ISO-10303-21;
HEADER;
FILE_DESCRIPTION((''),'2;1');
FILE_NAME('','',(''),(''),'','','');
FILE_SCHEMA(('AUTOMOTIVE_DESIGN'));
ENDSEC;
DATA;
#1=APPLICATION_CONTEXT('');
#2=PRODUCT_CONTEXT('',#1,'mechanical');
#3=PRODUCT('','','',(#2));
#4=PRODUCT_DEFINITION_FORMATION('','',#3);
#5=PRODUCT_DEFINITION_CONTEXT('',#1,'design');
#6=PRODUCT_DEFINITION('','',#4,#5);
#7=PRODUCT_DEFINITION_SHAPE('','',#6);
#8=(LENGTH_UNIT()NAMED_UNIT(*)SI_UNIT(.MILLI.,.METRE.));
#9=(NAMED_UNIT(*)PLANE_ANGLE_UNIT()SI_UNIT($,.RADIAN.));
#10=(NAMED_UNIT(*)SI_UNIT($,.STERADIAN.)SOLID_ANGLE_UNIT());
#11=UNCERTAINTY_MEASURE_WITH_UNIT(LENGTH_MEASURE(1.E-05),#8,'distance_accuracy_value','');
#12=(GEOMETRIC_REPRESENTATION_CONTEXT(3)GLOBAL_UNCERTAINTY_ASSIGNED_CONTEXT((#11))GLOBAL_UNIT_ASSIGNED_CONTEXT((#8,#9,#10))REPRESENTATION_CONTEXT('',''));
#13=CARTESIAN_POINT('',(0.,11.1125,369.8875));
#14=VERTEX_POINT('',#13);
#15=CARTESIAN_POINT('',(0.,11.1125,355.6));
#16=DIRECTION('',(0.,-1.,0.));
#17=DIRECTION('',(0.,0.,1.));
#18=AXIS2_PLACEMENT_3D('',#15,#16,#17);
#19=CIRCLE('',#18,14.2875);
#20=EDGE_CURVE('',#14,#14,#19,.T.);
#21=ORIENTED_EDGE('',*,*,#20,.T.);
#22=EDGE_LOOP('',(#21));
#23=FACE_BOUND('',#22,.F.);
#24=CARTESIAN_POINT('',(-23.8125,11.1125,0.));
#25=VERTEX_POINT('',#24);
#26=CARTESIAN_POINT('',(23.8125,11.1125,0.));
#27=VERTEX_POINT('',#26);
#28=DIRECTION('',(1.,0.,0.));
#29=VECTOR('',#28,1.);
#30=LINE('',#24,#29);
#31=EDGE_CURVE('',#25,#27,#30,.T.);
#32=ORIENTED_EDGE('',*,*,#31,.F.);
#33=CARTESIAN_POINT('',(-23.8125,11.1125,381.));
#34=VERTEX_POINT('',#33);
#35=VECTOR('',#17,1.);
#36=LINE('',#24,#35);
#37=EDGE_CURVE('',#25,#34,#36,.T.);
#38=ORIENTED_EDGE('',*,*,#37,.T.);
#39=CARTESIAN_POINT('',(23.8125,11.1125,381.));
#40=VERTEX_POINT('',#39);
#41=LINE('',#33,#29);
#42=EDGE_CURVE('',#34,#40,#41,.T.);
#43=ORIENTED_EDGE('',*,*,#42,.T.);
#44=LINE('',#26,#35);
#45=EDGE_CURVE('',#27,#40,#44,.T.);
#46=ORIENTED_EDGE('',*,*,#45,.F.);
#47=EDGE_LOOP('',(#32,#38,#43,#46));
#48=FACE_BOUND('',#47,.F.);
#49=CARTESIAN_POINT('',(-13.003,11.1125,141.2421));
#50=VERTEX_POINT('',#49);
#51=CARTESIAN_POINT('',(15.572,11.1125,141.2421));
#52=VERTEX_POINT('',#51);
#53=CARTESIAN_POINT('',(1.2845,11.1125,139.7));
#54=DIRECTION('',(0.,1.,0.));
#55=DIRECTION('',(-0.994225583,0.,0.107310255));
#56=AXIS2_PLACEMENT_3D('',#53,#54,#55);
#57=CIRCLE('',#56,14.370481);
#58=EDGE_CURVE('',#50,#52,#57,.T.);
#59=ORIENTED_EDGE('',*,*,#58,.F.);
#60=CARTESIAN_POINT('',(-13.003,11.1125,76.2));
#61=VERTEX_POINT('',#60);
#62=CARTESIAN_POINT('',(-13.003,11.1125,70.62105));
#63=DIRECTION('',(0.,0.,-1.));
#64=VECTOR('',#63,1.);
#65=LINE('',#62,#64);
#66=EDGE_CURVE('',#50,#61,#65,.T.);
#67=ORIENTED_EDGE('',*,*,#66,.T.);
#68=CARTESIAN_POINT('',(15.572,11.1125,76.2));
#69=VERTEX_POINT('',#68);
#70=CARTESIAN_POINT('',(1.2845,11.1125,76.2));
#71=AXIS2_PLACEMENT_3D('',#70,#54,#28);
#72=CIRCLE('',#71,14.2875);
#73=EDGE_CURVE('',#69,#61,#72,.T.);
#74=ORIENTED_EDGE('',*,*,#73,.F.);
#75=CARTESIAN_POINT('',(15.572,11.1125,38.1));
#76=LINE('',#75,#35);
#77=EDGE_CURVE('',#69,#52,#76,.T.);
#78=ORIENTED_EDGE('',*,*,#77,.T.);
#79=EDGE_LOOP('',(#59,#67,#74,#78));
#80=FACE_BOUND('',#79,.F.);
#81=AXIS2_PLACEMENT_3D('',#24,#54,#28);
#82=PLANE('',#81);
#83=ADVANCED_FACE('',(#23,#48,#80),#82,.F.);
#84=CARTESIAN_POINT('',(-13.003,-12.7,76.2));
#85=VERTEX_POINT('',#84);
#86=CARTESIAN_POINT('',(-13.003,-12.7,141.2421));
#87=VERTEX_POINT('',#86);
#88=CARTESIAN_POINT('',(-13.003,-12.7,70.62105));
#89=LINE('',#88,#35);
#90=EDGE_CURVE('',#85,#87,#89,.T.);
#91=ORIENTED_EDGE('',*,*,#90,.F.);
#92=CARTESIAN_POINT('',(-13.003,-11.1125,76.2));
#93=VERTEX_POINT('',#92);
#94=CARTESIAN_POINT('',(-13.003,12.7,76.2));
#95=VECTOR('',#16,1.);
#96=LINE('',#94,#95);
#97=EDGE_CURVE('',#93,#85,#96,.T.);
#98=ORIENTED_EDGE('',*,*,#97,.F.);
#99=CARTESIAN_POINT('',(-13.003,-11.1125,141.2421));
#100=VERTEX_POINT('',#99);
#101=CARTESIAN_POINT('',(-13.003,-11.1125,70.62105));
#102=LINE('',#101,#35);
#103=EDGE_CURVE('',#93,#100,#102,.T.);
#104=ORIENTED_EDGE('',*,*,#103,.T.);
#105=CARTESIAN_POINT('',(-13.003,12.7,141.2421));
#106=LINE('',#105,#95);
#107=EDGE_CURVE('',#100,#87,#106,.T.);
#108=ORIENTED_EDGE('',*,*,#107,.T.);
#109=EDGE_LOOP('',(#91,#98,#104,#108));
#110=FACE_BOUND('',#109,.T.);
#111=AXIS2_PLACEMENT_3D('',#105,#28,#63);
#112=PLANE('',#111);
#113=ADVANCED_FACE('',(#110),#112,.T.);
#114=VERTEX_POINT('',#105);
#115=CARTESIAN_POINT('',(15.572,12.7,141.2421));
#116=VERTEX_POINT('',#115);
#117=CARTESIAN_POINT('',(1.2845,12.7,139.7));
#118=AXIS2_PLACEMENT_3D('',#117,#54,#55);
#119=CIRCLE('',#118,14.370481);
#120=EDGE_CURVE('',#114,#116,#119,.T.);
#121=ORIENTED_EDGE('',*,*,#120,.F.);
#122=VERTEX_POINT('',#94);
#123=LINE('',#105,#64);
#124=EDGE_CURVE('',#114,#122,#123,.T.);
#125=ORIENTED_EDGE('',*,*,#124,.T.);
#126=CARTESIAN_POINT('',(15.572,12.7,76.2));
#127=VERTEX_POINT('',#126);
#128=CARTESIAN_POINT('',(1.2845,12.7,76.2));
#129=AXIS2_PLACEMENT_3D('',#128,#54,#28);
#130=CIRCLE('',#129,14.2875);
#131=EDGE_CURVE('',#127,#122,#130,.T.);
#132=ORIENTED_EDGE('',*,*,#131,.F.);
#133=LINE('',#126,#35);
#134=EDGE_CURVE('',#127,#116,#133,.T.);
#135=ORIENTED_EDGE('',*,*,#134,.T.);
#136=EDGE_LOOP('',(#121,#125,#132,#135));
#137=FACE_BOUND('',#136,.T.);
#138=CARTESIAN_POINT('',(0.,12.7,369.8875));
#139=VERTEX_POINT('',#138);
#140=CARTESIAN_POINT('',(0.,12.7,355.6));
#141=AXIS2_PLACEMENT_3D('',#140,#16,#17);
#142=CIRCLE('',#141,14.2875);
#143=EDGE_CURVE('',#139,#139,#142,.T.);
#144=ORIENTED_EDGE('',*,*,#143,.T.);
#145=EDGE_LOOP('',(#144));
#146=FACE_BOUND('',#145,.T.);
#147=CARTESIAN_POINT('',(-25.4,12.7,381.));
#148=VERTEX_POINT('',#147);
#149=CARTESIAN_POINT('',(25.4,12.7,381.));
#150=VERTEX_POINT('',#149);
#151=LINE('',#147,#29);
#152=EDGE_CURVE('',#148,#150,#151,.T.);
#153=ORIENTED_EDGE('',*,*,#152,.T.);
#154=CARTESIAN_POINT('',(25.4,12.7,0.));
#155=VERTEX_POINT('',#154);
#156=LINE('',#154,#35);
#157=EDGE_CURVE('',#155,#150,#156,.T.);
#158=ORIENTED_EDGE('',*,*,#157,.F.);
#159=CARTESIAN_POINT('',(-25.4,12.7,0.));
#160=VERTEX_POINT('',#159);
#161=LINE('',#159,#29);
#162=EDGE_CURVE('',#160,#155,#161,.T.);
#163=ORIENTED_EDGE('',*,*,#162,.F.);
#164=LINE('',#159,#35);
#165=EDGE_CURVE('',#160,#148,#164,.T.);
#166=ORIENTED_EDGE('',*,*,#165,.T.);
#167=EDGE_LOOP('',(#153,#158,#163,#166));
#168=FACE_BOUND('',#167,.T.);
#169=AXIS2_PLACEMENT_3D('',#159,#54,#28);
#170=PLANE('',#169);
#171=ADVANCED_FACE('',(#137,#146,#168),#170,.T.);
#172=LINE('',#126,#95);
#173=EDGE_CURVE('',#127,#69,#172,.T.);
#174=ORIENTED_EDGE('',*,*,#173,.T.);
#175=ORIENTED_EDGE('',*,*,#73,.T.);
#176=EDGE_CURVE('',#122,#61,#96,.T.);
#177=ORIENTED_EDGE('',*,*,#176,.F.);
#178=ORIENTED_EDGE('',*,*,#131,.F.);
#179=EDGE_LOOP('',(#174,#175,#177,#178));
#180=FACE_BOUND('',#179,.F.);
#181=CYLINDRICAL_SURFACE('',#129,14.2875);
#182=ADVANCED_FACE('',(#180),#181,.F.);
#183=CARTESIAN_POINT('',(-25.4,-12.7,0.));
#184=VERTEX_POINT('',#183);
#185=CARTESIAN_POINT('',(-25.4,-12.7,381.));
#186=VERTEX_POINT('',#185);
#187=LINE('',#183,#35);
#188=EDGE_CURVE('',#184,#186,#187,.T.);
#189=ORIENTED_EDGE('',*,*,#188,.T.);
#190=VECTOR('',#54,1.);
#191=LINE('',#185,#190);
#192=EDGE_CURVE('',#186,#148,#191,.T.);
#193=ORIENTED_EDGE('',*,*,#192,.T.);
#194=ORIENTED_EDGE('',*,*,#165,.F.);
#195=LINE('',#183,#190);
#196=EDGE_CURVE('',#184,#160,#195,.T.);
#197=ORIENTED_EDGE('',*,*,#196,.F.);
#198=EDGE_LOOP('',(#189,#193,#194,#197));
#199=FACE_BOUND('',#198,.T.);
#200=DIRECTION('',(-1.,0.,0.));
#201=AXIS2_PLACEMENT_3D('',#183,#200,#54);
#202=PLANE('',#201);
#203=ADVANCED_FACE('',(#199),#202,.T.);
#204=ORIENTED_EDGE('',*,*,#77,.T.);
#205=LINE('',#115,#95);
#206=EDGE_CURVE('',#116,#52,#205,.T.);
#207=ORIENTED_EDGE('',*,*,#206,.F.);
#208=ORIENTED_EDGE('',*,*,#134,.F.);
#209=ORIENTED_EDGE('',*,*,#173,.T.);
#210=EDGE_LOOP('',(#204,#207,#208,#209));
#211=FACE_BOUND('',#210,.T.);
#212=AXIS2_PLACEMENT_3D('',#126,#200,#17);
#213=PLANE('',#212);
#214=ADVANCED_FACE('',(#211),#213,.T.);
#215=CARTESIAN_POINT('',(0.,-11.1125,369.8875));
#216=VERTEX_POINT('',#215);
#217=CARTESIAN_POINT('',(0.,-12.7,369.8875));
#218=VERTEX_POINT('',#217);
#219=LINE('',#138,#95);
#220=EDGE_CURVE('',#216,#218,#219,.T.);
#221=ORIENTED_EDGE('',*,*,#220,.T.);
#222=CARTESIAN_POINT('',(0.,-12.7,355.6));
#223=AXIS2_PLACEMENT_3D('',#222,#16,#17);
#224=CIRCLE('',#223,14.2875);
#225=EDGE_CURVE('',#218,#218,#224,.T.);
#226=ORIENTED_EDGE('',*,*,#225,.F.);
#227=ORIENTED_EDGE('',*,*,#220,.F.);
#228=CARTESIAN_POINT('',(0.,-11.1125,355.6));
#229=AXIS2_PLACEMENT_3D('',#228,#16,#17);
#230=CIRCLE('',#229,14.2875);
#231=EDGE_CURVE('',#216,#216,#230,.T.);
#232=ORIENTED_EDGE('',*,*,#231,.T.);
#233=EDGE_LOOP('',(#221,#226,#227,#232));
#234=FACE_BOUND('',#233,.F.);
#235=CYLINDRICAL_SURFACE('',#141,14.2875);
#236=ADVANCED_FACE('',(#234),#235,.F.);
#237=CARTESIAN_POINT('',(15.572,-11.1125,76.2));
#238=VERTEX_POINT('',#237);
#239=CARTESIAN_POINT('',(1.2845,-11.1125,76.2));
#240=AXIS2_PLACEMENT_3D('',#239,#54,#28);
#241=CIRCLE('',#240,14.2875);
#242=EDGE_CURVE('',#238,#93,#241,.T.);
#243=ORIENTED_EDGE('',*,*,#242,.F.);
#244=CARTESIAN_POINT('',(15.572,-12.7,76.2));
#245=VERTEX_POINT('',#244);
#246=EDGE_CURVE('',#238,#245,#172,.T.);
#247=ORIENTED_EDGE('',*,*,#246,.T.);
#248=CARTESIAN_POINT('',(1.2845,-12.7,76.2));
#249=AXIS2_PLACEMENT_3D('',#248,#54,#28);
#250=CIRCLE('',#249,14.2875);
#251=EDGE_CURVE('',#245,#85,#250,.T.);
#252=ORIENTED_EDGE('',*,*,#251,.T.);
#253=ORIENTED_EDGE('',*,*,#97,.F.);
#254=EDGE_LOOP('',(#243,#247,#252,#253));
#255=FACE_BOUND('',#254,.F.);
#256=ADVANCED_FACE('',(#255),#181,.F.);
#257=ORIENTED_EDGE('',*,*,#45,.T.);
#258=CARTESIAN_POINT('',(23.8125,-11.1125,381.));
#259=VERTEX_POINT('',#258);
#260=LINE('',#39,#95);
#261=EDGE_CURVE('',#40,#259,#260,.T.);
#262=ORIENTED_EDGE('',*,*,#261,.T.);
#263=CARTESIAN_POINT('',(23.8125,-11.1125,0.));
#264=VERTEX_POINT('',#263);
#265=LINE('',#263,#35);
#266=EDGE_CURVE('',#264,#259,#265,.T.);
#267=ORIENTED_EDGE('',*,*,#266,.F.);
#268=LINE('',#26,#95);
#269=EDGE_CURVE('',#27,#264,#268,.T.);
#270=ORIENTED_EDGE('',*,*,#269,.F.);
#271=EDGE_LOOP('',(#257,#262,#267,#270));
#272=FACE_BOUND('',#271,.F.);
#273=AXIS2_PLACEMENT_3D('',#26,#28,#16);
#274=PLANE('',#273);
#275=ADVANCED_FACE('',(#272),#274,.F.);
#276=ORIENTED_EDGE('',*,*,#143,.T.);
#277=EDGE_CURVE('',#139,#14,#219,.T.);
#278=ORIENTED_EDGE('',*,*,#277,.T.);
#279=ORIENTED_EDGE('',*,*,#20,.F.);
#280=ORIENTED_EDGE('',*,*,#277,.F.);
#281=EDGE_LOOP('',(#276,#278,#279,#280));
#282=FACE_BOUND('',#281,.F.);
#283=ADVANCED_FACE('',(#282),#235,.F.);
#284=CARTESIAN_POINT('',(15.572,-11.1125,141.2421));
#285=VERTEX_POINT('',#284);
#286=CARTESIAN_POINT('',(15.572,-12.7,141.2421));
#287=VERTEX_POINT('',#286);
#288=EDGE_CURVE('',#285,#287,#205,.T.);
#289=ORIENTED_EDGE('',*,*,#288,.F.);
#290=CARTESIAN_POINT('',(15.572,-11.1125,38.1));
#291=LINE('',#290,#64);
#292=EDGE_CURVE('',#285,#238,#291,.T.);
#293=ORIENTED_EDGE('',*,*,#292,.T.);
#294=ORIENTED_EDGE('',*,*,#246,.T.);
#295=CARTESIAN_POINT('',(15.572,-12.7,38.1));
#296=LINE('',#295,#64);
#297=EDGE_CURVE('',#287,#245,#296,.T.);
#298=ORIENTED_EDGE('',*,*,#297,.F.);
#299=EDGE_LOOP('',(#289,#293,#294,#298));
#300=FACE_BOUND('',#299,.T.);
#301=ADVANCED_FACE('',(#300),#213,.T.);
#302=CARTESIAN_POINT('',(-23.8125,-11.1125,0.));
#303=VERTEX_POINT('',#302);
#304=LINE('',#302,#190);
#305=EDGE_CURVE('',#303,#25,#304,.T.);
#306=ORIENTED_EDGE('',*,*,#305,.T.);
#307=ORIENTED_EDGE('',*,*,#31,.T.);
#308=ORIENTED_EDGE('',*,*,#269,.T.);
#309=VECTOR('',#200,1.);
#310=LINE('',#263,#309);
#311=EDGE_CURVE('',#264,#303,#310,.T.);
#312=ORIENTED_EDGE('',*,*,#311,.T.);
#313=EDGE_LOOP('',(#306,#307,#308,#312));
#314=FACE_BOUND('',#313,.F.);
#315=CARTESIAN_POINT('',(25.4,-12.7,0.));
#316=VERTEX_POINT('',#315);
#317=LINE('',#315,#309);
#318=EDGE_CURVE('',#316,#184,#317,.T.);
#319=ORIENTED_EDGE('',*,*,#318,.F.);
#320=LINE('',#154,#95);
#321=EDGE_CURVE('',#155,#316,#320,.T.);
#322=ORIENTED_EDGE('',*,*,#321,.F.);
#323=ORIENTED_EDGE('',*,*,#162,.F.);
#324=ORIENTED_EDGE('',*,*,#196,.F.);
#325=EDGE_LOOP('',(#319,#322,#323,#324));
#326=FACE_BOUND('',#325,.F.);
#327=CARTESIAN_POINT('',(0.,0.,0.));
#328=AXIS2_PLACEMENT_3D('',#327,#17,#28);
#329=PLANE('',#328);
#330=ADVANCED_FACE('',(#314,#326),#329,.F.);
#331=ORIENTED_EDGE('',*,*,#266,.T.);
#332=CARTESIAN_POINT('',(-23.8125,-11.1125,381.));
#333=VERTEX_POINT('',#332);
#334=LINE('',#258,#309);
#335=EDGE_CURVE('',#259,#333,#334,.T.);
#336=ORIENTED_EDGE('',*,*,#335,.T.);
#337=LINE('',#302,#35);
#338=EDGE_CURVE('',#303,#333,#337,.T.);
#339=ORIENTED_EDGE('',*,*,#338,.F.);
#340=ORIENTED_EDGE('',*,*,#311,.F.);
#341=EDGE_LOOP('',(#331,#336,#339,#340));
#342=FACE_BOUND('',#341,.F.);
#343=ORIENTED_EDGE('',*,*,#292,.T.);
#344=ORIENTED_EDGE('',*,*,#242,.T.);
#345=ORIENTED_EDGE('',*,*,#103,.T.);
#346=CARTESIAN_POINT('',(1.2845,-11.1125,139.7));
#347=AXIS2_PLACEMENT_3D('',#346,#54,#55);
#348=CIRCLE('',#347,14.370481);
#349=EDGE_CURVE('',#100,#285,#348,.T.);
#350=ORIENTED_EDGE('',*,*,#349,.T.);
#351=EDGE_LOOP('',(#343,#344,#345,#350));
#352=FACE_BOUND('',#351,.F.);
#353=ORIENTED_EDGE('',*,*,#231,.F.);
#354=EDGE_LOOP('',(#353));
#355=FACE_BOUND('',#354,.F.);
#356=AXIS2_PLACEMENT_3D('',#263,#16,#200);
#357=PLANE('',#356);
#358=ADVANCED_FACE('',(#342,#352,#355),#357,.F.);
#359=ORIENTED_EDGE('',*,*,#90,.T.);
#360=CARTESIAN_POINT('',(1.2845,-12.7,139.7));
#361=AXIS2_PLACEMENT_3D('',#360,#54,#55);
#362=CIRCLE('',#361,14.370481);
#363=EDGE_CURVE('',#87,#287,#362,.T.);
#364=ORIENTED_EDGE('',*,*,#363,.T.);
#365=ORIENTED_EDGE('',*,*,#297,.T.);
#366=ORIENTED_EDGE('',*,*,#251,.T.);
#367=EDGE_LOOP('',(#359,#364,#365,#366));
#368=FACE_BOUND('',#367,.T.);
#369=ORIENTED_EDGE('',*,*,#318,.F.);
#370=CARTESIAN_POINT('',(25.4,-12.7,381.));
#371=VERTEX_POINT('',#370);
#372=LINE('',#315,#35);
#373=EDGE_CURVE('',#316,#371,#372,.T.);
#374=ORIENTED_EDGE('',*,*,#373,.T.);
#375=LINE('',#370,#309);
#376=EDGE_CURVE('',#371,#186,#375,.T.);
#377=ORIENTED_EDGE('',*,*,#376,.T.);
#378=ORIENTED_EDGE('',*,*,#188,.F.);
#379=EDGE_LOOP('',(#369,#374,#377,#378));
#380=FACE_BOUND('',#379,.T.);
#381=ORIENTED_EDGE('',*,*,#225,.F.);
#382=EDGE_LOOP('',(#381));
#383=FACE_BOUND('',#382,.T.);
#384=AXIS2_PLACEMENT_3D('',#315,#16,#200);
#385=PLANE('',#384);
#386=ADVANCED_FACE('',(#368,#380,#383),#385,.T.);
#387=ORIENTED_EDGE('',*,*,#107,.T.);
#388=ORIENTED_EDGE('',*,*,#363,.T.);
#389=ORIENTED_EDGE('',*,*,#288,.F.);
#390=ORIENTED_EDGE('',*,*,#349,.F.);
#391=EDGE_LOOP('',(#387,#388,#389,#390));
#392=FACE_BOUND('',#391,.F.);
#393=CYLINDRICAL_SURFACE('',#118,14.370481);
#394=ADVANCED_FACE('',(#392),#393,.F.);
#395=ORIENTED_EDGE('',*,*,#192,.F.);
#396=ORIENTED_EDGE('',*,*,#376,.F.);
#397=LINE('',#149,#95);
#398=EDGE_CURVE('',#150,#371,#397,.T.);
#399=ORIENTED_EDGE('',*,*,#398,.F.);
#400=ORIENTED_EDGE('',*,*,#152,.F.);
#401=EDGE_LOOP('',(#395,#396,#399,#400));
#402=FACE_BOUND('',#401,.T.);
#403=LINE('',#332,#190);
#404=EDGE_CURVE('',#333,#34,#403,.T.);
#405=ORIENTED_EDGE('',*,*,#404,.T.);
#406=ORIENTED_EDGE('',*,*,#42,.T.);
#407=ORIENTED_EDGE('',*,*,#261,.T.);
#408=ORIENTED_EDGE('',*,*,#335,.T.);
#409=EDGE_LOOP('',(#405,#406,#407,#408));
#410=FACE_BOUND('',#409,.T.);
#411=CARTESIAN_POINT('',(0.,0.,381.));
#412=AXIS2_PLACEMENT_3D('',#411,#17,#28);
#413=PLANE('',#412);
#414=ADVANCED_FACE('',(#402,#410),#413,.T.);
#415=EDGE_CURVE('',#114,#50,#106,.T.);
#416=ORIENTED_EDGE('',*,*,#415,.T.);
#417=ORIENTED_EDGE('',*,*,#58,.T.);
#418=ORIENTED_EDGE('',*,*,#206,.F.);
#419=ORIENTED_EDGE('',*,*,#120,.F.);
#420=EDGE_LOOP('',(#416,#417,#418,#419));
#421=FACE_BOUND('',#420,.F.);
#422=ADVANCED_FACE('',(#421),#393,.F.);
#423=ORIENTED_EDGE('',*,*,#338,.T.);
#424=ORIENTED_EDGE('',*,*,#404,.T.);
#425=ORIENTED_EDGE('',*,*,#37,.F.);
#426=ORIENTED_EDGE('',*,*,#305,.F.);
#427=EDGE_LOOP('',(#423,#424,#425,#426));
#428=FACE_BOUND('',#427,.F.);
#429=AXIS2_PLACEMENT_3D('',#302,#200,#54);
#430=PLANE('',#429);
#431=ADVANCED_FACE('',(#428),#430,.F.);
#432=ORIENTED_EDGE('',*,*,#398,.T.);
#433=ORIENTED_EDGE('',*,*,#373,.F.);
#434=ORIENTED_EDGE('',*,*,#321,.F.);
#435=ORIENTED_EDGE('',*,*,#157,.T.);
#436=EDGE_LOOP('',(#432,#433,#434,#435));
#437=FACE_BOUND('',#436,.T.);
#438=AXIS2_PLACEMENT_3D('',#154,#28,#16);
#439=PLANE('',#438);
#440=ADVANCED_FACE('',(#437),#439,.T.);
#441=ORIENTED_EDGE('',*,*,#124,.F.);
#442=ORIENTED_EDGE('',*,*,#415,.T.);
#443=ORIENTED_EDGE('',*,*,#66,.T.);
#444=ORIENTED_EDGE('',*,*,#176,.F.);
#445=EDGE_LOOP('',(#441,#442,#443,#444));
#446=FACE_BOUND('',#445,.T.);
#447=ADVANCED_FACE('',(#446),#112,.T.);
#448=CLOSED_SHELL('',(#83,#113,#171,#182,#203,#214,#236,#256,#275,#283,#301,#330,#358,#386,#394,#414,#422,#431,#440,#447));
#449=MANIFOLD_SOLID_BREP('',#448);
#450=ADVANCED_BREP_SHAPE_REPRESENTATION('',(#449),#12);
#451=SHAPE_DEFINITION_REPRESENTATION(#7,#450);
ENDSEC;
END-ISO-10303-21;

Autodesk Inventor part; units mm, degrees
ref_plane "YZ Plane" through (0, 0, 0) normal (1, 0, 0) x (0, 1, 0)
ref_plane "XZ Plane" through (0, 0, 0) normal (0, 1, 0) x (-1, 0, 0)
ref_plane "XY Plane" through (0, 0, 0) normal (0, 0, 1) x (1, 0, 0)
sketch "Sketch1" plane through (0, 0, 0) normal (0, 0, 1) x (1, 0, 0)
  line L0 (-25.4, 12.7) -> (25.4, 12.7)
  line L1 (25.4, 12.7) -> (25.4, -12.7)
  line L2 (25.4, -12.7) -> (-25.4, -12.7)
  line L3 (-25.4, -12.7) -> (-25.4, 12.7)
  line L4 (-25.4, 12.7) -> (25.4, -12.7) construction
  line L5 (25.4, 12.7) -> (-25.4, -12.7) construction
  line L6 (-23.8125, 11.1125) -> (23.8125, 11.1125)
  line L7 (23.8125, 11.1125) -> (23.8125, -11.1125)
  line L8 (23.8125, -11.1125) -> (-23.8125, -11.1125)
  line L9 (-23.8125, -11.1125) -> (-23.8125, 11.1125)
  line L10 (-23.8125, 11.1125) -> (23.8125, -11.1125) construction
  line L11 (23.8125, 11.1125) -> (-23.8125, -11.1125) construction
  point P0 (0, 0)
  dimension "d0" = 50.8
  dimension "d1" = 25.4
  dimension "d2" = 47.625
  dimension "d3" = 22.225
extrude "Extrusion1" add sketch "Sketch1" along normal blind 381
sketch "Sketch2" plane through (-25.4, 12.7, 0) normal (0, 1, 0) x (1, 0, 0)
  line L0 (0, 0) -> (0, -381) projected
  line L1 (50.8, -381) -> (0, -381) projected
  point P0 (25.4, 0)
  point P1 (25.4, -355.6)
  dimension "d13" = 25.4
  dimension "d14" = 25.4
hole "Hole1" at (0, 12.7, 355.6) direction (0, -1, 0) diameter 28.575 end through all
sketch "Sketch3" plane through (-25.4, 12.7, 0) normal (0, 1, 0) x (1, 0, 0)
  line L0 (40.972, -76.2) -> (40.972, -141.2421)
  arc A0 (40.972, -76.2) -> (12.397, -76.2) centre (26.6845, -76.2) ccw
  line L1 (12.397, -141.2421) -> (12.397, -76.2)
  arc A1 (12.397, -141.2421) -> (40.972, -141.2421) centre (26.6845, -139.7) ccw
  line L2 (50.8, 0) -> (0, 0) projected
  line L3 (50.8, -381) -> (0, -381) projected
  circle A2 centre (25.4, -355.6) radius 14.2875 projected
  point P0 (25.4, 0)
  dimension "d15" = 28.575
  dimension "d18" = 304.8
  dimension "d24" = 215.9
  dimension "d25" = 63.5
extrude "Extrusion2" cut sketch "Sketch3" against normal through all contours L0 A1 L1 A0
properties part number "Frame" material "Aluminum 6061"
